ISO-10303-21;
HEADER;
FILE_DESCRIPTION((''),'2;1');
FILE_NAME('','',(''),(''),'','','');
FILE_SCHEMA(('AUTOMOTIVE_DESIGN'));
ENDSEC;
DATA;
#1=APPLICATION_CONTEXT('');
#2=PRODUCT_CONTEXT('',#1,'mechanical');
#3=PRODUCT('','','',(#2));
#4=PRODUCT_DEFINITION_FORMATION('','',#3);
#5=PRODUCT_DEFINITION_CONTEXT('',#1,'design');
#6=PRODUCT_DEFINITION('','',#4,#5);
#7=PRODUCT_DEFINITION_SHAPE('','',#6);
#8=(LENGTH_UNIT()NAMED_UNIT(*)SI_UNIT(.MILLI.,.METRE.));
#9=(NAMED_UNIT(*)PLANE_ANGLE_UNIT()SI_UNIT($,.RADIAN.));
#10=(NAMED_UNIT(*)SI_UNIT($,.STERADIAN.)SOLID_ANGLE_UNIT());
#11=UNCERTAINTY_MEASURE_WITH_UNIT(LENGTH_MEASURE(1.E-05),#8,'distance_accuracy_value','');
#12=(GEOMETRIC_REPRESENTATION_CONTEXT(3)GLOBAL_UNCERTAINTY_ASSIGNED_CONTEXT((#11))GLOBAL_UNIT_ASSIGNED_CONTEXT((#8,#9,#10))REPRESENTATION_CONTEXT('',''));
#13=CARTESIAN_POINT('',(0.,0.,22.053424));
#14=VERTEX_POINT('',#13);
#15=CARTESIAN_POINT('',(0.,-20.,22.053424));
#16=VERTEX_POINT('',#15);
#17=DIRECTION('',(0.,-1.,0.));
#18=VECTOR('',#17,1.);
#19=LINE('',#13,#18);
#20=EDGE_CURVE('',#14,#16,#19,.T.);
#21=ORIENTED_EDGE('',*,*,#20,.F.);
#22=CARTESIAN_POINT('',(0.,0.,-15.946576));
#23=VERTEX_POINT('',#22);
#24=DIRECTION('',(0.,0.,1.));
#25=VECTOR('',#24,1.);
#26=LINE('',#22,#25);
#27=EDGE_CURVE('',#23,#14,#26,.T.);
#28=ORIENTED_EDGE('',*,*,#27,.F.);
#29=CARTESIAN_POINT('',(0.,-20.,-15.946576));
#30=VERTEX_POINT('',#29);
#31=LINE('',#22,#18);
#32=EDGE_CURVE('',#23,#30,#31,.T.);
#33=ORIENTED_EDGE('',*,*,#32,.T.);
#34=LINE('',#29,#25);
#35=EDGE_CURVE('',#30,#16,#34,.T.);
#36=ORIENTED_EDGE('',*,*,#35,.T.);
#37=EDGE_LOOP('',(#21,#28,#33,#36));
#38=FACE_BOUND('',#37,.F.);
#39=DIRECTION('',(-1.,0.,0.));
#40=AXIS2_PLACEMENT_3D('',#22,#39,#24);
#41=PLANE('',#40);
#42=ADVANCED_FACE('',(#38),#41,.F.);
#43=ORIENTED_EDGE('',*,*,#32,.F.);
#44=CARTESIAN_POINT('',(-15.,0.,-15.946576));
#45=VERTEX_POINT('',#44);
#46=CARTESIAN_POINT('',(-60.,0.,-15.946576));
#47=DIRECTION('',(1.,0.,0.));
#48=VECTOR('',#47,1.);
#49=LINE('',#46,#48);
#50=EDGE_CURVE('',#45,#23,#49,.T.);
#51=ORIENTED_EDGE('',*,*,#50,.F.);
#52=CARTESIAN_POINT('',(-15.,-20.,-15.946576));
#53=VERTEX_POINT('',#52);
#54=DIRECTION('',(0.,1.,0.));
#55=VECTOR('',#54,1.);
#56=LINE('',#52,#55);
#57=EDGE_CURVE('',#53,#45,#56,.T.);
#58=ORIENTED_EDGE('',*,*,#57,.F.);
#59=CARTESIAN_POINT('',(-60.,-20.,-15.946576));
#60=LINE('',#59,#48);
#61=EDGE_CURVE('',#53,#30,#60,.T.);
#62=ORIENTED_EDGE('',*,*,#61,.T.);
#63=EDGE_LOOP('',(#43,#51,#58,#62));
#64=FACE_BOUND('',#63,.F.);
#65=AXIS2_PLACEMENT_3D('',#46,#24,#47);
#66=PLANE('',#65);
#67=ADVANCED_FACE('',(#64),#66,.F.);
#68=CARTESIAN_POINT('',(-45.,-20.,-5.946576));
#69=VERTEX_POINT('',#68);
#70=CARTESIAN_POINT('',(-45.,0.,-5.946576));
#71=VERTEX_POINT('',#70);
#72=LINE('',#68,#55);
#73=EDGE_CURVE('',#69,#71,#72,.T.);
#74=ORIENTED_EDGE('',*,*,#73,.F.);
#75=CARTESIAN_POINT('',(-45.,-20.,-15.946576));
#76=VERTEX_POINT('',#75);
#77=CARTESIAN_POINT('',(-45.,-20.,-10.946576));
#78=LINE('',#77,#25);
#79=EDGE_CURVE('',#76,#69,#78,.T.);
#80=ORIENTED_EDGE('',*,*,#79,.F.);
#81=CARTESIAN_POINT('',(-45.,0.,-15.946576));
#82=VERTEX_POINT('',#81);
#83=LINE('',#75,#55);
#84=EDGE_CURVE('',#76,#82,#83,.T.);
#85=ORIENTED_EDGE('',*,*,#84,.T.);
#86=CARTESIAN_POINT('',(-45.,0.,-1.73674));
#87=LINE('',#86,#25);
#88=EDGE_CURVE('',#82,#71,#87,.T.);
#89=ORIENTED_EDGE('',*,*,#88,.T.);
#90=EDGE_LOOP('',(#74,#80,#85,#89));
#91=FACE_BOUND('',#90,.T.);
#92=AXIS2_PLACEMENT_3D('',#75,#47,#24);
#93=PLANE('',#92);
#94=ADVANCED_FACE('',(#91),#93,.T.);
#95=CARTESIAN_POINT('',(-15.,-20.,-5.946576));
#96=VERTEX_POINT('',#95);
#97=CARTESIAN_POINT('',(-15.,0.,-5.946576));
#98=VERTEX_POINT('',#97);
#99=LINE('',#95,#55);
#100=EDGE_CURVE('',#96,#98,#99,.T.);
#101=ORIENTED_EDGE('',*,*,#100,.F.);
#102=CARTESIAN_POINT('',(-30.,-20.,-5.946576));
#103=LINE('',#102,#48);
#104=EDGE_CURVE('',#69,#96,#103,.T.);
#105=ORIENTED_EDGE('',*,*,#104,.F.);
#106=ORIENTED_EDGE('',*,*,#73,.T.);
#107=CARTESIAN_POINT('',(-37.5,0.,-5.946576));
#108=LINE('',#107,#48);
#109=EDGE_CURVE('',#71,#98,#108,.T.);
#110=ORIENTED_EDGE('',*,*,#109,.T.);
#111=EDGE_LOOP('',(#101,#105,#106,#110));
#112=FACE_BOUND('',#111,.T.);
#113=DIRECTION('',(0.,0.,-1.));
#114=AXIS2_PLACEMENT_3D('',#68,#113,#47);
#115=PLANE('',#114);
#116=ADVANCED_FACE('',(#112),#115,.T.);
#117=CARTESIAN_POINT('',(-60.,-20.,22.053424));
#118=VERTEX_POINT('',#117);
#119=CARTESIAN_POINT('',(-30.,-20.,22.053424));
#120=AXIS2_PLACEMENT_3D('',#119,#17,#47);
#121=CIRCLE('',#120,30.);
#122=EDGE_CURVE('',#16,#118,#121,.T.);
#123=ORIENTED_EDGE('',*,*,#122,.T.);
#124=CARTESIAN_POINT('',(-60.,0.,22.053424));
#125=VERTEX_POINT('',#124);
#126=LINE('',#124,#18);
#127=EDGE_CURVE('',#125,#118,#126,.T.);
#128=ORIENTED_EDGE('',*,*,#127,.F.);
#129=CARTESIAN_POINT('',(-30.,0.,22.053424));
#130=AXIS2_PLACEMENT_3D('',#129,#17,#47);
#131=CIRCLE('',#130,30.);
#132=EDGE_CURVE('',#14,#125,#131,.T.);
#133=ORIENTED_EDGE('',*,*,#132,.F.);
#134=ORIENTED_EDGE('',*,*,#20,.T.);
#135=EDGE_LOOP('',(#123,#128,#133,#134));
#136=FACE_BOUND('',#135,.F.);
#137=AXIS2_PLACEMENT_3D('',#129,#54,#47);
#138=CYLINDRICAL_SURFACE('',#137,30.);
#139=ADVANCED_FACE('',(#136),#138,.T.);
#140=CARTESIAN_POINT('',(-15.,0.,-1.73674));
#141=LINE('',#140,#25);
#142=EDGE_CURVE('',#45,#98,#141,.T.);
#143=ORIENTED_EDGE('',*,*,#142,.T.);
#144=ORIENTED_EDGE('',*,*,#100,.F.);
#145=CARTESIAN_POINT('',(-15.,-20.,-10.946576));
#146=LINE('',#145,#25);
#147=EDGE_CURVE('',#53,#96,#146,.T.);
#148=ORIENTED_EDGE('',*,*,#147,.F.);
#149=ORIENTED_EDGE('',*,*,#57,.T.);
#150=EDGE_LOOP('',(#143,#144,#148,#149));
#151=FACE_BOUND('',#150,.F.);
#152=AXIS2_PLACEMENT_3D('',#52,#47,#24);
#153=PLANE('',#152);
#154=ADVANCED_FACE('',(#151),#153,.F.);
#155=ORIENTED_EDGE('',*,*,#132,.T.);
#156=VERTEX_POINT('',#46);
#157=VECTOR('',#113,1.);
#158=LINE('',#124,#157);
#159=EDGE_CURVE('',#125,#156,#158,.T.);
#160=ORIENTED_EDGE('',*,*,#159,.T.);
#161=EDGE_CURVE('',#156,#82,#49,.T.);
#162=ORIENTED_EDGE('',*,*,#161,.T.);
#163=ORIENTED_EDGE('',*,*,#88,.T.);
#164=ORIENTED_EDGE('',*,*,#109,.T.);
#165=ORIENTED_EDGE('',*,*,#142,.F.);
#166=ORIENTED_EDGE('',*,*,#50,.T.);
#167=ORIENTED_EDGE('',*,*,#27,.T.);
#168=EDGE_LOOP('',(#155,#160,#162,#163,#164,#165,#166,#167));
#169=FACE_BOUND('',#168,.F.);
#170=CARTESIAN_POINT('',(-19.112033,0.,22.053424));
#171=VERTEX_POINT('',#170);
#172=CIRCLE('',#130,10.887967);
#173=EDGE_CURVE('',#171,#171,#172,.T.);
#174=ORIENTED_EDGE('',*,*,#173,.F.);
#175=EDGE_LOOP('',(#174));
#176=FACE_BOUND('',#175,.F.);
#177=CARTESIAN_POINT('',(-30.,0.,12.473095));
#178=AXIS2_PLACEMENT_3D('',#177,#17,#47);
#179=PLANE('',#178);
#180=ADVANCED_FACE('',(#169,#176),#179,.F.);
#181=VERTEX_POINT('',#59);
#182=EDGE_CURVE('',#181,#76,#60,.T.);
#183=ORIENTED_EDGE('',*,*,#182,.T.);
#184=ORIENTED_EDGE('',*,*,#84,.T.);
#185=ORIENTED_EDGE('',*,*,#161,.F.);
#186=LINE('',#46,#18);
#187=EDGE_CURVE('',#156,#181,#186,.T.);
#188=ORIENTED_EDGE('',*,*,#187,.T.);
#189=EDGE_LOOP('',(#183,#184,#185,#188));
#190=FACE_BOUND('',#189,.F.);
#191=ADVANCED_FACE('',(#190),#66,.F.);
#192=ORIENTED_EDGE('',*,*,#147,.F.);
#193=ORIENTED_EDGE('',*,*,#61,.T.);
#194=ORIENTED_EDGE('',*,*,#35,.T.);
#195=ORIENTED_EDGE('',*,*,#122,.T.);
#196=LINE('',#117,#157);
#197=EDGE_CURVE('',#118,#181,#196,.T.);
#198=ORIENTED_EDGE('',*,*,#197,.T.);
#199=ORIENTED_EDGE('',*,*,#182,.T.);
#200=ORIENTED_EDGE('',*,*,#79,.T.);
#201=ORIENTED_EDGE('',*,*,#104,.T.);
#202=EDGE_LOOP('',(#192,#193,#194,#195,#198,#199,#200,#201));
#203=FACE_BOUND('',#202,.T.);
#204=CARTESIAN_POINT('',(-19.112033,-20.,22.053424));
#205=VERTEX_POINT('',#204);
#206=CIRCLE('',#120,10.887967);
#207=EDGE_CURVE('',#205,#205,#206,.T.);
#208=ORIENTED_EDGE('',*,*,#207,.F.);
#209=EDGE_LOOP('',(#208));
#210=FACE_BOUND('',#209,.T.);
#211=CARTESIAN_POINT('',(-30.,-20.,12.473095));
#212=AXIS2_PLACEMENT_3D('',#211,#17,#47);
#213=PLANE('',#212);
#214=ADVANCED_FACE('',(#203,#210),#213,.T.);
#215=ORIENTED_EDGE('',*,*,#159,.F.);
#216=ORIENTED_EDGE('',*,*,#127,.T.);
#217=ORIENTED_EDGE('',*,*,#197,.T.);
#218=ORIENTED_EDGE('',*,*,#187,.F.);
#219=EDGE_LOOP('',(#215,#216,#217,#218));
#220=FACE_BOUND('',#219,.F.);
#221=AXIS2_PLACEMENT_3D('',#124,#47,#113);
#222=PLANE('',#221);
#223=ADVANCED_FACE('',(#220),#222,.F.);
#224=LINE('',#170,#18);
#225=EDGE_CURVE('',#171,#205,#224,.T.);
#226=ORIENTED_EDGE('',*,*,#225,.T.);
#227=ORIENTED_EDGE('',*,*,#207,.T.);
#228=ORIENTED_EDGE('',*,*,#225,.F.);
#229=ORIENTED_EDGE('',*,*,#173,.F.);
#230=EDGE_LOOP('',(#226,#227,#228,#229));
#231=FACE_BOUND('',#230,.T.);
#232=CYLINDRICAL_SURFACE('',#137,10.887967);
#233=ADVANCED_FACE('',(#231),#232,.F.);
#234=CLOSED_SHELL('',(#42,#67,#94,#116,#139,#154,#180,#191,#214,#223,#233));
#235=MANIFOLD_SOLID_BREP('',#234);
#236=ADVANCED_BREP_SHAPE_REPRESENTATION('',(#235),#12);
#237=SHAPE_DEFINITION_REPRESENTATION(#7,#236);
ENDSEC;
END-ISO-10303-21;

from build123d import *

# Parameters (mm, degrees)
F0_R     = 10.887967
F1_DEPTH = 20
F2_W     = 30
F2_H     = 10
F3_DEPTH = 20.001


with BuildPart() as f1:
    # F0 (on Front) → F1 (new body)
    with BuildSketch(Plane.XZ):
        with BuildLine():
            ThreePointArc((0, 22.053424), (-30, 52.053424), (-60, 22.053424))
            Line((-60, 22.053424), (-60, -15.946576))
            Line((-60, -15.946576), (0, -15.946576))
            Line((0, -15.946576), (0, 22.053424))
        make_face()
        with Locations((-30, 22.053424)):
            Circle(F0_R, mode=Mode.SUBTRACT)
    extrude(amount=F1_DEPTH)

    # F2 (on face) → F3 (cut, through all)
    with BuildSketch(Plane.XZ.offset(20)):
        with Locations((-30, -10.946576)):
            Rectangle(F2_W, F2_H)
    extrude(amount=-F3_DEPTH, mode=Mode.SUBTRACT)


solid = f1.part
